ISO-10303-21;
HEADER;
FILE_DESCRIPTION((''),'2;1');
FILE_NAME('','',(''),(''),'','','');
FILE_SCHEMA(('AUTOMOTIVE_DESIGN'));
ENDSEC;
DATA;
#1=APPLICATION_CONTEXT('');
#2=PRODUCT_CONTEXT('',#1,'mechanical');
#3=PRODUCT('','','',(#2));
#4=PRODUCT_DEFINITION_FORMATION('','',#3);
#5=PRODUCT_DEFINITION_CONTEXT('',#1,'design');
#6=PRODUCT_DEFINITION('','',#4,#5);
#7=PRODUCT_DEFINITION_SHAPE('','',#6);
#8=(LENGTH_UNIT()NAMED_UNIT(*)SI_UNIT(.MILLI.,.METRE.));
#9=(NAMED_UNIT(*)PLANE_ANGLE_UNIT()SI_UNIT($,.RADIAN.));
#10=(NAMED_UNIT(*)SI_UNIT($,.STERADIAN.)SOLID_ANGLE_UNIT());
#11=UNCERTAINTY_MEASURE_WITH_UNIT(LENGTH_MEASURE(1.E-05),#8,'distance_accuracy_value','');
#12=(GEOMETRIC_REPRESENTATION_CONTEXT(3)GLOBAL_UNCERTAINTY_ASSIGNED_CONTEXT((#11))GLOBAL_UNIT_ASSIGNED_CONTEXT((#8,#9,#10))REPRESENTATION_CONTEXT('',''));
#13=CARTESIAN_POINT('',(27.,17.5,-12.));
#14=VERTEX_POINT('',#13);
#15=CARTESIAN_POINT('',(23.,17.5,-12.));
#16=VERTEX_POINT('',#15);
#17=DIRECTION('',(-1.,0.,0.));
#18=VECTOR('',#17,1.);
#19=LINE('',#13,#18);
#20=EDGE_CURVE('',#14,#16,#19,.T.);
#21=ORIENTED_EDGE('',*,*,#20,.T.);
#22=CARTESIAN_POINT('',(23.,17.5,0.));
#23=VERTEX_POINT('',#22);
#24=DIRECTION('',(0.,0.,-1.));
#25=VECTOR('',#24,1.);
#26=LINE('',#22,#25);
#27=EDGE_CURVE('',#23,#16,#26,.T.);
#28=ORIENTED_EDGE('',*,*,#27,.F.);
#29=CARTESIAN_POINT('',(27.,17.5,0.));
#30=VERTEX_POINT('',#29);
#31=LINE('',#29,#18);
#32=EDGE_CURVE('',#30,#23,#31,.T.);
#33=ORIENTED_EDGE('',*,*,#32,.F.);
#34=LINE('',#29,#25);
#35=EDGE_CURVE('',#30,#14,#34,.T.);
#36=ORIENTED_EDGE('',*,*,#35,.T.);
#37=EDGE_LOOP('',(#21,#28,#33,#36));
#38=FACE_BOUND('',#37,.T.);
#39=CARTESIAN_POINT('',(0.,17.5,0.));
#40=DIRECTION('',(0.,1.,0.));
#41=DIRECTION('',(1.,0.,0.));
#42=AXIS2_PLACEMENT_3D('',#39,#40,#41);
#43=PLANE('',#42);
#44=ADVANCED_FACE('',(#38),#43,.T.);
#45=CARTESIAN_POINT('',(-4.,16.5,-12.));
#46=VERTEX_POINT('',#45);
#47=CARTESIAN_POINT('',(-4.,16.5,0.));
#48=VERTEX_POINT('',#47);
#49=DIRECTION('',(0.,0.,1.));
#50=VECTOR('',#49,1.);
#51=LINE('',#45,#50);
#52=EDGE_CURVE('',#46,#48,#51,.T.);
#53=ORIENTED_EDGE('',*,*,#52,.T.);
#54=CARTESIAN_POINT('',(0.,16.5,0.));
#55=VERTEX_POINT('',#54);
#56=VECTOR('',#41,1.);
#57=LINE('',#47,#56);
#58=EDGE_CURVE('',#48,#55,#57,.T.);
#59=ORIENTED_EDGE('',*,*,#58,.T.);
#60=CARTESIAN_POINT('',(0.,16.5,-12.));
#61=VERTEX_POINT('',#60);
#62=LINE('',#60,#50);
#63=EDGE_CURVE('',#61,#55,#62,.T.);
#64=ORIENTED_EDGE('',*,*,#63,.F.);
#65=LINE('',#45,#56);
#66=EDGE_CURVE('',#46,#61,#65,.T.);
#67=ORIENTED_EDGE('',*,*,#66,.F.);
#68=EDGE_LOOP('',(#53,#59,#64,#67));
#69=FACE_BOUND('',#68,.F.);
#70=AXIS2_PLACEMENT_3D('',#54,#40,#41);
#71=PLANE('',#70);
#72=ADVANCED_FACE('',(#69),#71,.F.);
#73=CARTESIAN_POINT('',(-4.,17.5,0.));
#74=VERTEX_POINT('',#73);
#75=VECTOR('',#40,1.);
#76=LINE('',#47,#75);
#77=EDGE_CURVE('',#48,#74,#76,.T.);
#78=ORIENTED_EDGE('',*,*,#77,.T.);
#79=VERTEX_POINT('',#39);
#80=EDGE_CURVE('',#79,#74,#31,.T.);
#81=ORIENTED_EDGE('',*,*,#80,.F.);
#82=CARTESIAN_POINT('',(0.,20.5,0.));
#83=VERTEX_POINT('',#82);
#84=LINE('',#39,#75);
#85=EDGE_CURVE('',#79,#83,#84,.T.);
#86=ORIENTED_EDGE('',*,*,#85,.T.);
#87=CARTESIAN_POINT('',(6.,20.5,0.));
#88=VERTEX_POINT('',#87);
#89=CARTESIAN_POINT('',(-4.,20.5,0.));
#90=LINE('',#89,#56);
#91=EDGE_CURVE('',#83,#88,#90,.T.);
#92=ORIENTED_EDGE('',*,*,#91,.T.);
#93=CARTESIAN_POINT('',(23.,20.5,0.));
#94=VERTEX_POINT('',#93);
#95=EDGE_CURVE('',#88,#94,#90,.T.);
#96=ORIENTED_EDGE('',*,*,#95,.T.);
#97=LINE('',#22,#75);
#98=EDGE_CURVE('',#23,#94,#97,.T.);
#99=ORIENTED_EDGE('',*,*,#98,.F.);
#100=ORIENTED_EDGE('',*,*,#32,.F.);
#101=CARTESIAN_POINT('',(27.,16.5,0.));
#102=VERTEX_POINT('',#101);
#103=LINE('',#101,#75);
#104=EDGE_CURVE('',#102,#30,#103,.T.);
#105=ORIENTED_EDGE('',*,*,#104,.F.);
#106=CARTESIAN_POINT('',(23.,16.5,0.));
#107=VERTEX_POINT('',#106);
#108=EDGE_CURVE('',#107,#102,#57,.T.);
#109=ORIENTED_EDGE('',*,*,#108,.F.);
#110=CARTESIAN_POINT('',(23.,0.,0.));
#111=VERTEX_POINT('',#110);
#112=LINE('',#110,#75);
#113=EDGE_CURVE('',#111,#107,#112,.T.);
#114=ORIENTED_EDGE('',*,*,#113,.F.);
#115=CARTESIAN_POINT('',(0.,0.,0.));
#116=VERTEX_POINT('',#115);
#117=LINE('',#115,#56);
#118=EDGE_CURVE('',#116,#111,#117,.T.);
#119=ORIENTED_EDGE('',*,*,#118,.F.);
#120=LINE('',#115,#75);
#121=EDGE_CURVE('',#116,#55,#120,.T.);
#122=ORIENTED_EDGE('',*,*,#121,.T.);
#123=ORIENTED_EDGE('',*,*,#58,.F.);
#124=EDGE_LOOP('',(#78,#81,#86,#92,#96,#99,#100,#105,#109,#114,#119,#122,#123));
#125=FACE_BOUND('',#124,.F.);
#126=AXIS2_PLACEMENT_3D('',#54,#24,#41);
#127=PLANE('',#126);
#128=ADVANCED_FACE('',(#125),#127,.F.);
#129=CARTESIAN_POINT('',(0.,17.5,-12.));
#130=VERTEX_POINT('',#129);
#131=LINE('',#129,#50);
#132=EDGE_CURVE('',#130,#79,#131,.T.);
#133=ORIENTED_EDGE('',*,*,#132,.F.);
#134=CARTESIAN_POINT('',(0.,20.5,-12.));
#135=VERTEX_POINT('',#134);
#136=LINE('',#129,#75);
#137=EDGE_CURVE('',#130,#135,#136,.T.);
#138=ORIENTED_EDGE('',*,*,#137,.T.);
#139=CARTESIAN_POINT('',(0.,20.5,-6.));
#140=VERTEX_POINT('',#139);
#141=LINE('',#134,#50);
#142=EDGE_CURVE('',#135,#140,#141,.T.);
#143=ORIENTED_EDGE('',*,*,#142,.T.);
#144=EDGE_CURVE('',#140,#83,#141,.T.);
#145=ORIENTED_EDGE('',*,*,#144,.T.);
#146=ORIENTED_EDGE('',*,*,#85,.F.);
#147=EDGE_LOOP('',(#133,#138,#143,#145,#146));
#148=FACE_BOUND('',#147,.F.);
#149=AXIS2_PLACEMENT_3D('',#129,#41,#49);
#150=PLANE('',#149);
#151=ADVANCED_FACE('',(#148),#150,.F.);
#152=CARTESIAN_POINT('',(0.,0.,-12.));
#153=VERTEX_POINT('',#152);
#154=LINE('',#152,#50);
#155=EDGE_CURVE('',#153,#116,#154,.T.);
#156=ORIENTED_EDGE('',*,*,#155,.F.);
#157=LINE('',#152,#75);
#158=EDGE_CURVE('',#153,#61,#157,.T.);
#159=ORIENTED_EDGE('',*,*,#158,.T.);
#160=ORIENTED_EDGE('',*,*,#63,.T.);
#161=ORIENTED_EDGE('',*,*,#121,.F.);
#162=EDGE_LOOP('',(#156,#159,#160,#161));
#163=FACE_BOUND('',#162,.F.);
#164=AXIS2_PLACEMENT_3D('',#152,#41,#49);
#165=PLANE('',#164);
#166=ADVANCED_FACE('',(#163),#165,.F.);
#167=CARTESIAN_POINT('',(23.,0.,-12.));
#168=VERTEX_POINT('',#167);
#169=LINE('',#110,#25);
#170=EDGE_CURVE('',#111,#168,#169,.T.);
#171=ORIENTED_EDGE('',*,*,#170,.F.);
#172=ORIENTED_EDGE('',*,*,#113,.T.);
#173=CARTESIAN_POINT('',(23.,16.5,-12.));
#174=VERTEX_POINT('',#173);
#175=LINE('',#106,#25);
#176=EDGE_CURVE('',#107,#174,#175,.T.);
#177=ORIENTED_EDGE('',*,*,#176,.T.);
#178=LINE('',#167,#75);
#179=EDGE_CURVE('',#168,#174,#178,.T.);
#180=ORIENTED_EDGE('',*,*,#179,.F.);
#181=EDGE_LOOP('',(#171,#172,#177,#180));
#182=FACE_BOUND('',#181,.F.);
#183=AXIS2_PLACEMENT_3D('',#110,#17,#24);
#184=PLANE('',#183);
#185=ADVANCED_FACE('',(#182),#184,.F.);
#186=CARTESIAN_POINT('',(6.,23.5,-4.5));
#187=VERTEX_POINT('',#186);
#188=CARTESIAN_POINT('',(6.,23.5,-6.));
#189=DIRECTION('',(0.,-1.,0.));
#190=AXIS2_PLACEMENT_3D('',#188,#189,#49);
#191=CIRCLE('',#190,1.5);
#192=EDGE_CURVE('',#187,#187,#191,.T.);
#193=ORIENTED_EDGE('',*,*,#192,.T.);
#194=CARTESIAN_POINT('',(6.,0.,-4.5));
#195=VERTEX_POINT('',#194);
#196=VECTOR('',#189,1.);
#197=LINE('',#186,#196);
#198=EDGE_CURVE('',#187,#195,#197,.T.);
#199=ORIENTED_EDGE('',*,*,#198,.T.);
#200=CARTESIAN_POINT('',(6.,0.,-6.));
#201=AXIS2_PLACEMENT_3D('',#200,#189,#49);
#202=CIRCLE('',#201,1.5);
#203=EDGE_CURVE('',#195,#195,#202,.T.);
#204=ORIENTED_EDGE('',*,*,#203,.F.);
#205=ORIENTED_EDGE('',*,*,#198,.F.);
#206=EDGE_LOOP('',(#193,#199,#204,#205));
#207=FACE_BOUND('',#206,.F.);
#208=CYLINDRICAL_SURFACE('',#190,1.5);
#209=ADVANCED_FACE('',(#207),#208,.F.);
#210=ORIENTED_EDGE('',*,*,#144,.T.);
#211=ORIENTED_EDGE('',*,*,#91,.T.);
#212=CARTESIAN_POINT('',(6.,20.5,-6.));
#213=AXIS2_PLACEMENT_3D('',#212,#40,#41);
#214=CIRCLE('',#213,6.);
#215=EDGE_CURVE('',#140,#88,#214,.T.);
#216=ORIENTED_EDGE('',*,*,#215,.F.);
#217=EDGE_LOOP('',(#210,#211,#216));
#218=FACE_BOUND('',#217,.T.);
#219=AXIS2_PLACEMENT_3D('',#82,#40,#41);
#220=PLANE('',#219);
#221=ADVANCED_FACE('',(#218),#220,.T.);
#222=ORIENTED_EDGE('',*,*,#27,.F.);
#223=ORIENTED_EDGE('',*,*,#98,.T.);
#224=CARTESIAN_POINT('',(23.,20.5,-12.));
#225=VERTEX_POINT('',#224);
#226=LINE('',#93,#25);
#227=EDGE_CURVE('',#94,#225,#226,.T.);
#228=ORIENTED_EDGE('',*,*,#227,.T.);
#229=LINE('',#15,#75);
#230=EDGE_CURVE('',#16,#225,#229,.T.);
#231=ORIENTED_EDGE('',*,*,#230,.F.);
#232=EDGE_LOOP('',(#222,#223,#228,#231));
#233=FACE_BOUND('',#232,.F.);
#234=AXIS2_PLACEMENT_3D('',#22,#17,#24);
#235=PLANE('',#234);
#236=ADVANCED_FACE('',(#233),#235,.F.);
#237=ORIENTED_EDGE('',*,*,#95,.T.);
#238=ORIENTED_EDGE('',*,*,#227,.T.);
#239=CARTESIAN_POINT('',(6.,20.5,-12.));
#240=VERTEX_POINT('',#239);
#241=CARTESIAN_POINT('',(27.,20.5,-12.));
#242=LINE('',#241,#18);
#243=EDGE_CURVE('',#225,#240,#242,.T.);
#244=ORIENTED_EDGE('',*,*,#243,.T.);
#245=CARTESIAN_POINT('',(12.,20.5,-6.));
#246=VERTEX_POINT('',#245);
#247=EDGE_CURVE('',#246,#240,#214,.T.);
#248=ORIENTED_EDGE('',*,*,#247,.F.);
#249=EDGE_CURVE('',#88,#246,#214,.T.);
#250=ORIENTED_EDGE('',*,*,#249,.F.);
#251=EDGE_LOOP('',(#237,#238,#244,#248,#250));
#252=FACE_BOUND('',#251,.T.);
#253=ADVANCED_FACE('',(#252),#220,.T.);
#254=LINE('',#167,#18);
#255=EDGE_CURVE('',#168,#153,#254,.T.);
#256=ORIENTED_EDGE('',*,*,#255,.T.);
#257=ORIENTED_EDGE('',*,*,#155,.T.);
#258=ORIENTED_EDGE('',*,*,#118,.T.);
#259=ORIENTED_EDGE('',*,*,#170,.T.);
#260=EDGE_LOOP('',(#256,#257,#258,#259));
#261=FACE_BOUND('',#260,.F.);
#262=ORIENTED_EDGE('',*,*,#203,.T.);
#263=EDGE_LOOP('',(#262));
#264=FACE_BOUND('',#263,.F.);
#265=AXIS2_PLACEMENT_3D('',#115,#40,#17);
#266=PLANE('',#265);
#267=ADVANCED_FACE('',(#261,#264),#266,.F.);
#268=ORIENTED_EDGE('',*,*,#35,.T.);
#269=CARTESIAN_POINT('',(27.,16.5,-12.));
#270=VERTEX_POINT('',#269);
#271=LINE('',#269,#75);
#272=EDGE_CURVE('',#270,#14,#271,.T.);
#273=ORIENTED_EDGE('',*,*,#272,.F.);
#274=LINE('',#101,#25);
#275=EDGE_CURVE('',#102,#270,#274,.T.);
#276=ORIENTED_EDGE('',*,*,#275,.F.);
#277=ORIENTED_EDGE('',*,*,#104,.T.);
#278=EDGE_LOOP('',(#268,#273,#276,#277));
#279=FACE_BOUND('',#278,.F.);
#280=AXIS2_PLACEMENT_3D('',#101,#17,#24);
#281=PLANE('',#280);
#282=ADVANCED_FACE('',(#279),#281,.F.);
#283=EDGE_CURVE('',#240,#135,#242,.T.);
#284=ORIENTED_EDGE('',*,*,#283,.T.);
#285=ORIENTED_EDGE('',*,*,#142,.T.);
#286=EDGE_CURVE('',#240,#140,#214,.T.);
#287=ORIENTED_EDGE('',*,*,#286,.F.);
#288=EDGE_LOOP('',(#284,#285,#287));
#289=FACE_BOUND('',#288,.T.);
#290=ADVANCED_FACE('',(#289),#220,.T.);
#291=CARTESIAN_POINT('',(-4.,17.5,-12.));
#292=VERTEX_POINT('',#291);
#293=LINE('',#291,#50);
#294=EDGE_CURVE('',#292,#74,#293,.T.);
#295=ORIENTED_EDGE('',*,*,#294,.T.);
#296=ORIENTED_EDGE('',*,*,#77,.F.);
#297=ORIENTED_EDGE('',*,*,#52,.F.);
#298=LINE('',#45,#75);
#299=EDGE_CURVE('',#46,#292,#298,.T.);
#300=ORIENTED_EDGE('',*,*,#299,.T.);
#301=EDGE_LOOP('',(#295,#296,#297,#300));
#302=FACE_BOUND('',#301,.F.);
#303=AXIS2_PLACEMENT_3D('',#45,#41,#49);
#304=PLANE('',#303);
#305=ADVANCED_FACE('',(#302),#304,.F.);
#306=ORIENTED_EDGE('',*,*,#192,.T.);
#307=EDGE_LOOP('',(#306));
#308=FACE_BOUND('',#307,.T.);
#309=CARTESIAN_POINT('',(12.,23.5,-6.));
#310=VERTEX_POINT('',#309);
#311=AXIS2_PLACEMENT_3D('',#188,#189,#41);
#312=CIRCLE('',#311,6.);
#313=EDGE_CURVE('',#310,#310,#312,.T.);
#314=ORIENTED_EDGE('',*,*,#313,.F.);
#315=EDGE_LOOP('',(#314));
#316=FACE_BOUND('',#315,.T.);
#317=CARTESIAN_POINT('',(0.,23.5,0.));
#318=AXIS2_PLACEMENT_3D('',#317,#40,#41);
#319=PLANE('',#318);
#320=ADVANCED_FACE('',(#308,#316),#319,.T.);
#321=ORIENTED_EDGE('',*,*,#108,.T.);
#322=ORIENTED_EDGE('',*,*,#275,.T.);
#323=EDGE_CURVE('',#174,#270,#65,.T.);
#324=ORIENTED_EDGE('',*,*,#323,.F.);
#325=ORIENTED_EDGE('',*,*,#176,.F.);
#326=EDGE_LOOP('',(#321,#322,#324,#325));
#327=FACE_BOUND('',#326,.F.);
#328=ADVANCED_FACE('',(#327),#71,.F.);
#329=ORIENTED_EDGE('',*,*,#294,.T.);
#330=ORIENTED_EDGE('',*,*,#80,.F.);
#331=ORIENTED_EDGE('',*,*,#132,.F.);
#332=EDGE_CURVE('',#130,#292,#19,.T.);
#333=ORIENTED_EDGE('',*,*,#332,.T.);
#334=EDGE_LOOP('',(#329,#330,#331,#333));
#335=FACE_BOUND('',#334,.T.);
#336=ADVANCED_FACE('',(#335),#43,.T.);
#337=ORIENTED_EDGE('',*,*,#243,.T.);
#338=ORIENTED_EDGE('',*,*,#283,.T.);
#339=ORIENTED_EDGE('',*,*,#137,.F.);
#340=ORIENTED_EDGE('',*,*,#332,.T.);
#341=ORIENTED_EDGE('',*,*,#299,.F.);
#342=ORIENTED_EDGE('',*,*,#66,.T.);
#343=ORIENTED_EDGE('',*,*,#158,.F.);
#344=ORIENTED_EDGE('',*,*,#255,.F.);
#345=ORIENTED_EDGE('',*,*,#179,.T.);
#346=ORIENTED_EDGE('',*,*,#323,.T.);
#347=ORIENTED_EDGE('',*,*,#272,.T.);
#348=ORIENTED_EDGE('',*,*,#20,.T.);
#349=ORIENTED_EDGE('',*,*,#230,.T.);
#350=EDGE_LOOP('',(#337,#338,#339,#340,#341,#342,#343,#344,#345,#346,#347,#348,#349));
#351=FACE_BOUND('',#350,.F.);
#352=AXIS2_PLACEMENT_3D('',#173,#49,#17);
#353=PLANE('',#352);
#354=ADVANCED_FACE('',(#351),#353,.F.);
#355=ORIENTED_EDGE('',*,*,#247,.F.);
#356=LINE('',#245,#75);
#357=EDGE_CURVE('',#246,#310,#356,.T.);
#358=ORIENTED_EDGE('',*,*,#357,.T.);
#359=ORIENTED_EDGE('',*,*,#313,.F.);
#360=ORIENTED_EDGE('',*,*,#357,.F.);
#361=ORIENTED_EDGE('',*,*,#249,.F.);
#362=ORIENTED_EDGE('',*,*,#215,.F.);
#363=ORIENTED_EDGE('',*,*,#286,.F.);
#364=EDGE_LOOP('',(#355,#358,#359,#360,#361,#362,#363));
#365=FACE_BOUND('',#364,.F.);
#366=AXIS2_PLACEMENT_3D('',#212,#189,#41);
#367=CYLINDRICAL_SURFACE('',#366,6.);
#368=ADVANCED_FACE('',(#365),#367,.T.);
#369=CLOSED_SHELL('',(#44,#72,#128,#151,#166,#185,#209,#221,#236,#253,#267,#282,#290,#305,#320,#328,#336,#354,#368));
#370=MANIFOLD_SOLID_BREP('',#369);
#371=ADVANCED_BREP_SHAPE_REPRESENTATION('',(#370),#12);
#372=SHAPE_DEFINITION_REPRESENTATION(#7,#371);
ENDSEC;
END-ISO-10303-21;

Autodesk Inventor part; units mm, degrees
ref_plane "YZ Plane" through (0, 0, 0) normal (1, 0, 0) x (0, 1, 0)
ref_plane "XZ Plane" through (0, 0, 0) normal (0, 1, 0) x (-1, 0, 0)
ref_plane "XY Plane" through (0, 0, 0) normal (0, 0, 1) x (1, 0, 0)
sketch "スケッチ1" plane through (0, 0, 0) normal (0, 1, 0) x (-1, 0, 0)
  line L0 (0, 0) -> (-23, 0)
  line L1 (-23, 0) -> (-23, -12)
  line L2 (-23, -12) -> (0, -12)
  line L3 (0, -12) -> (0, 0)
  dimension "d0" = 23
  dimension "d1" = 12
extrude "押し出し1" add sketch "スケッチ1" along normal blind 16.5
sketch "スケッチ2" plane through (0, 16.5, 0) normal (0, 1, 0) x (1, 0, 0)
  line L0 (23, 0) -> (23, 12) projected
  line L1 (23, 12) -> (0, 12) projected
  line L2 (0, 12) -> (0, 0) projected
  line L3 (0, 0) -> (23, 0) projected
  line L4 (-4, 0) -> (27, 0)
  line L5 (27, 0) -> (27, 12)
  line L6 (27, 12) -> (-4, 12)
  line L7 (-4, 12) -> (-4, 0)
  dimension "d4" = 4
  dimension "d5" = 4
extrude "押し出し2" add sketch "スケッチ2" along normal blind 1
sketch "スケッチ3" plane through (0, 17.5, 0) normal (0, 1, 0) x (1, 0, 0)
  line L0 (-4, 0) -> (27, 0) projected
  line L1 (27, 12) -> (-4, 12) projected
  line L2 (0, 12) -> (0, 0) projected
  line L3 (23, 0) -> (23, 12) projected
extrude "押し出し3" add sketch "スケッチ3" along normal blind 3
sketch "スケッチ4" plane through (0, 20.5, 0) normal (0, 1, 0) x (1, 0, 0)
  line L0 (23, 12) -> (0, 12) projected
  line L1 (0, 12) -> (0, 0) projected
  line L2 (0, 0) -> (23, 0) projected
  circle A0 centre (6, 6) radius 6
extrude "押し出し4" add sketch "スケッチ4" along normal blind 3 contours A0
sketch "スケッチ5" plane through (6, 23.5, -6) normal (0, 1, 0) x (1, 0, 0)
  circle A0 centre (0, 0) radius 6 projected
  point P0 (-6, -6)
hole "穴1" at (6, 23.5, -6) direction (0, -1, 0) diameter 3 end through all
equation "\"d5\" = d4"
properties part number "ServoMotor_8g"
